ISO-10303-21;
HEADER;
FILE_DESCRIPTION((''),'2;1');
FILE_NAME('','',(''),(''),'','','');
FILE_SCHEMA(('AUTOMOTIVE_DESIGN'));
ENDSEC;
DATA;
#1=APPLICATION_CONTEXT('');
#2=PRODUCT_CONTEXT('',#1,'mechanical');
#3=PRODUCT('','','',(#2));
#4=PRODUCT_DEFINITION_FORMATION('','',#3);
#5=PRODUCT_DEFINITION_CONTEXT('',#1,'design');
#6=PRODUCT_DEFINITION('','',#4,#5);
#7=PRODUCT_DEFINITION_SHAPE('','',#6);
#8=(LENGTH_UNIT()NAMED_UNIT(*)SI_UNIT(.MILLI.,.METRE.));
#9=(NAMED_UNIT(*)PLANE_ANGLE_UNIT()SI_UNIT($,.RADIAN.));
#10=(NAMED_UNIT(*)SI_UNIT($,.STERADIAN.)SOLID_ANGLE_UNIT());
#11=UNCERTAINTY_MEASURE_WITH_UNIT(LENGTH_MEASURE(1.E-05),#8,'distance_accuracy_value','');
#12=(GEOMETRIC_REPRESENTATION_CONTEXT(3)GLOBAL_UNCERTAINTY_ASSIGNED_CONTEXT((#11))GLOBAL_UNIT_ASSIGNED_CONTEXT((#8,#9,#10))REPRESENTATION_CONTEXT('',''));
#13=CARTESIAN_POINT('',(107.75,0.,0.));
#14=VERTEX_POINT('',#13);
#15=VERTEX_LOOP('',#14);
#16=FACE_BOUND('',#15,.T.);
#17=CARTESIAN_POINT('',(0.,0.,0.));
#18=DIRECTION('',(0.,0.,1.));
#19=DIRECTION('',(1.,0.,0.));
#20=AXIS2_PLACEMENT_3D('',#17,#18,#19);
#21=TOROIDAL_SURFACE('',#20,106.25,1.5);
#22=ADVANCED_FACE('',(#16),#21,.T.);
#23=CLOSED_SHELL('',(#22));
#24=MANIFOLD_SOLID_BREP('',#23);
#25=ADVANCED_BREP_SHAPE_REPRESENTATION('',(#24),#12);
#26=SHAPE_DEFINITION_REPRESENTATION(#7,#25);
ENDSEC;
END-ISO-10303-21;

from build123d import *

# Parameters (mm, degrees)
SKETCH7_R = 1.5


with BuildPart() as part:
    # Sketch7 → Revolve1 (revolve)
    with BuildSketch(Plane(origin=(0, 0, 0), x_dir=(0, 0, -1), z_dir=(1, 0, 0)), mode=Mode.PRIVATE) as revolve1_sk:
        with Locations((0, 106.25)):
            Circle(SKETCH7_R)
    revolve(revolve1_sk.sketch.rotate(Axis((0, 0, 0), (0, 0, -1)), 90), axis=Axis((0, 0, 0), (0, 0, -1)))


solid = part.part
